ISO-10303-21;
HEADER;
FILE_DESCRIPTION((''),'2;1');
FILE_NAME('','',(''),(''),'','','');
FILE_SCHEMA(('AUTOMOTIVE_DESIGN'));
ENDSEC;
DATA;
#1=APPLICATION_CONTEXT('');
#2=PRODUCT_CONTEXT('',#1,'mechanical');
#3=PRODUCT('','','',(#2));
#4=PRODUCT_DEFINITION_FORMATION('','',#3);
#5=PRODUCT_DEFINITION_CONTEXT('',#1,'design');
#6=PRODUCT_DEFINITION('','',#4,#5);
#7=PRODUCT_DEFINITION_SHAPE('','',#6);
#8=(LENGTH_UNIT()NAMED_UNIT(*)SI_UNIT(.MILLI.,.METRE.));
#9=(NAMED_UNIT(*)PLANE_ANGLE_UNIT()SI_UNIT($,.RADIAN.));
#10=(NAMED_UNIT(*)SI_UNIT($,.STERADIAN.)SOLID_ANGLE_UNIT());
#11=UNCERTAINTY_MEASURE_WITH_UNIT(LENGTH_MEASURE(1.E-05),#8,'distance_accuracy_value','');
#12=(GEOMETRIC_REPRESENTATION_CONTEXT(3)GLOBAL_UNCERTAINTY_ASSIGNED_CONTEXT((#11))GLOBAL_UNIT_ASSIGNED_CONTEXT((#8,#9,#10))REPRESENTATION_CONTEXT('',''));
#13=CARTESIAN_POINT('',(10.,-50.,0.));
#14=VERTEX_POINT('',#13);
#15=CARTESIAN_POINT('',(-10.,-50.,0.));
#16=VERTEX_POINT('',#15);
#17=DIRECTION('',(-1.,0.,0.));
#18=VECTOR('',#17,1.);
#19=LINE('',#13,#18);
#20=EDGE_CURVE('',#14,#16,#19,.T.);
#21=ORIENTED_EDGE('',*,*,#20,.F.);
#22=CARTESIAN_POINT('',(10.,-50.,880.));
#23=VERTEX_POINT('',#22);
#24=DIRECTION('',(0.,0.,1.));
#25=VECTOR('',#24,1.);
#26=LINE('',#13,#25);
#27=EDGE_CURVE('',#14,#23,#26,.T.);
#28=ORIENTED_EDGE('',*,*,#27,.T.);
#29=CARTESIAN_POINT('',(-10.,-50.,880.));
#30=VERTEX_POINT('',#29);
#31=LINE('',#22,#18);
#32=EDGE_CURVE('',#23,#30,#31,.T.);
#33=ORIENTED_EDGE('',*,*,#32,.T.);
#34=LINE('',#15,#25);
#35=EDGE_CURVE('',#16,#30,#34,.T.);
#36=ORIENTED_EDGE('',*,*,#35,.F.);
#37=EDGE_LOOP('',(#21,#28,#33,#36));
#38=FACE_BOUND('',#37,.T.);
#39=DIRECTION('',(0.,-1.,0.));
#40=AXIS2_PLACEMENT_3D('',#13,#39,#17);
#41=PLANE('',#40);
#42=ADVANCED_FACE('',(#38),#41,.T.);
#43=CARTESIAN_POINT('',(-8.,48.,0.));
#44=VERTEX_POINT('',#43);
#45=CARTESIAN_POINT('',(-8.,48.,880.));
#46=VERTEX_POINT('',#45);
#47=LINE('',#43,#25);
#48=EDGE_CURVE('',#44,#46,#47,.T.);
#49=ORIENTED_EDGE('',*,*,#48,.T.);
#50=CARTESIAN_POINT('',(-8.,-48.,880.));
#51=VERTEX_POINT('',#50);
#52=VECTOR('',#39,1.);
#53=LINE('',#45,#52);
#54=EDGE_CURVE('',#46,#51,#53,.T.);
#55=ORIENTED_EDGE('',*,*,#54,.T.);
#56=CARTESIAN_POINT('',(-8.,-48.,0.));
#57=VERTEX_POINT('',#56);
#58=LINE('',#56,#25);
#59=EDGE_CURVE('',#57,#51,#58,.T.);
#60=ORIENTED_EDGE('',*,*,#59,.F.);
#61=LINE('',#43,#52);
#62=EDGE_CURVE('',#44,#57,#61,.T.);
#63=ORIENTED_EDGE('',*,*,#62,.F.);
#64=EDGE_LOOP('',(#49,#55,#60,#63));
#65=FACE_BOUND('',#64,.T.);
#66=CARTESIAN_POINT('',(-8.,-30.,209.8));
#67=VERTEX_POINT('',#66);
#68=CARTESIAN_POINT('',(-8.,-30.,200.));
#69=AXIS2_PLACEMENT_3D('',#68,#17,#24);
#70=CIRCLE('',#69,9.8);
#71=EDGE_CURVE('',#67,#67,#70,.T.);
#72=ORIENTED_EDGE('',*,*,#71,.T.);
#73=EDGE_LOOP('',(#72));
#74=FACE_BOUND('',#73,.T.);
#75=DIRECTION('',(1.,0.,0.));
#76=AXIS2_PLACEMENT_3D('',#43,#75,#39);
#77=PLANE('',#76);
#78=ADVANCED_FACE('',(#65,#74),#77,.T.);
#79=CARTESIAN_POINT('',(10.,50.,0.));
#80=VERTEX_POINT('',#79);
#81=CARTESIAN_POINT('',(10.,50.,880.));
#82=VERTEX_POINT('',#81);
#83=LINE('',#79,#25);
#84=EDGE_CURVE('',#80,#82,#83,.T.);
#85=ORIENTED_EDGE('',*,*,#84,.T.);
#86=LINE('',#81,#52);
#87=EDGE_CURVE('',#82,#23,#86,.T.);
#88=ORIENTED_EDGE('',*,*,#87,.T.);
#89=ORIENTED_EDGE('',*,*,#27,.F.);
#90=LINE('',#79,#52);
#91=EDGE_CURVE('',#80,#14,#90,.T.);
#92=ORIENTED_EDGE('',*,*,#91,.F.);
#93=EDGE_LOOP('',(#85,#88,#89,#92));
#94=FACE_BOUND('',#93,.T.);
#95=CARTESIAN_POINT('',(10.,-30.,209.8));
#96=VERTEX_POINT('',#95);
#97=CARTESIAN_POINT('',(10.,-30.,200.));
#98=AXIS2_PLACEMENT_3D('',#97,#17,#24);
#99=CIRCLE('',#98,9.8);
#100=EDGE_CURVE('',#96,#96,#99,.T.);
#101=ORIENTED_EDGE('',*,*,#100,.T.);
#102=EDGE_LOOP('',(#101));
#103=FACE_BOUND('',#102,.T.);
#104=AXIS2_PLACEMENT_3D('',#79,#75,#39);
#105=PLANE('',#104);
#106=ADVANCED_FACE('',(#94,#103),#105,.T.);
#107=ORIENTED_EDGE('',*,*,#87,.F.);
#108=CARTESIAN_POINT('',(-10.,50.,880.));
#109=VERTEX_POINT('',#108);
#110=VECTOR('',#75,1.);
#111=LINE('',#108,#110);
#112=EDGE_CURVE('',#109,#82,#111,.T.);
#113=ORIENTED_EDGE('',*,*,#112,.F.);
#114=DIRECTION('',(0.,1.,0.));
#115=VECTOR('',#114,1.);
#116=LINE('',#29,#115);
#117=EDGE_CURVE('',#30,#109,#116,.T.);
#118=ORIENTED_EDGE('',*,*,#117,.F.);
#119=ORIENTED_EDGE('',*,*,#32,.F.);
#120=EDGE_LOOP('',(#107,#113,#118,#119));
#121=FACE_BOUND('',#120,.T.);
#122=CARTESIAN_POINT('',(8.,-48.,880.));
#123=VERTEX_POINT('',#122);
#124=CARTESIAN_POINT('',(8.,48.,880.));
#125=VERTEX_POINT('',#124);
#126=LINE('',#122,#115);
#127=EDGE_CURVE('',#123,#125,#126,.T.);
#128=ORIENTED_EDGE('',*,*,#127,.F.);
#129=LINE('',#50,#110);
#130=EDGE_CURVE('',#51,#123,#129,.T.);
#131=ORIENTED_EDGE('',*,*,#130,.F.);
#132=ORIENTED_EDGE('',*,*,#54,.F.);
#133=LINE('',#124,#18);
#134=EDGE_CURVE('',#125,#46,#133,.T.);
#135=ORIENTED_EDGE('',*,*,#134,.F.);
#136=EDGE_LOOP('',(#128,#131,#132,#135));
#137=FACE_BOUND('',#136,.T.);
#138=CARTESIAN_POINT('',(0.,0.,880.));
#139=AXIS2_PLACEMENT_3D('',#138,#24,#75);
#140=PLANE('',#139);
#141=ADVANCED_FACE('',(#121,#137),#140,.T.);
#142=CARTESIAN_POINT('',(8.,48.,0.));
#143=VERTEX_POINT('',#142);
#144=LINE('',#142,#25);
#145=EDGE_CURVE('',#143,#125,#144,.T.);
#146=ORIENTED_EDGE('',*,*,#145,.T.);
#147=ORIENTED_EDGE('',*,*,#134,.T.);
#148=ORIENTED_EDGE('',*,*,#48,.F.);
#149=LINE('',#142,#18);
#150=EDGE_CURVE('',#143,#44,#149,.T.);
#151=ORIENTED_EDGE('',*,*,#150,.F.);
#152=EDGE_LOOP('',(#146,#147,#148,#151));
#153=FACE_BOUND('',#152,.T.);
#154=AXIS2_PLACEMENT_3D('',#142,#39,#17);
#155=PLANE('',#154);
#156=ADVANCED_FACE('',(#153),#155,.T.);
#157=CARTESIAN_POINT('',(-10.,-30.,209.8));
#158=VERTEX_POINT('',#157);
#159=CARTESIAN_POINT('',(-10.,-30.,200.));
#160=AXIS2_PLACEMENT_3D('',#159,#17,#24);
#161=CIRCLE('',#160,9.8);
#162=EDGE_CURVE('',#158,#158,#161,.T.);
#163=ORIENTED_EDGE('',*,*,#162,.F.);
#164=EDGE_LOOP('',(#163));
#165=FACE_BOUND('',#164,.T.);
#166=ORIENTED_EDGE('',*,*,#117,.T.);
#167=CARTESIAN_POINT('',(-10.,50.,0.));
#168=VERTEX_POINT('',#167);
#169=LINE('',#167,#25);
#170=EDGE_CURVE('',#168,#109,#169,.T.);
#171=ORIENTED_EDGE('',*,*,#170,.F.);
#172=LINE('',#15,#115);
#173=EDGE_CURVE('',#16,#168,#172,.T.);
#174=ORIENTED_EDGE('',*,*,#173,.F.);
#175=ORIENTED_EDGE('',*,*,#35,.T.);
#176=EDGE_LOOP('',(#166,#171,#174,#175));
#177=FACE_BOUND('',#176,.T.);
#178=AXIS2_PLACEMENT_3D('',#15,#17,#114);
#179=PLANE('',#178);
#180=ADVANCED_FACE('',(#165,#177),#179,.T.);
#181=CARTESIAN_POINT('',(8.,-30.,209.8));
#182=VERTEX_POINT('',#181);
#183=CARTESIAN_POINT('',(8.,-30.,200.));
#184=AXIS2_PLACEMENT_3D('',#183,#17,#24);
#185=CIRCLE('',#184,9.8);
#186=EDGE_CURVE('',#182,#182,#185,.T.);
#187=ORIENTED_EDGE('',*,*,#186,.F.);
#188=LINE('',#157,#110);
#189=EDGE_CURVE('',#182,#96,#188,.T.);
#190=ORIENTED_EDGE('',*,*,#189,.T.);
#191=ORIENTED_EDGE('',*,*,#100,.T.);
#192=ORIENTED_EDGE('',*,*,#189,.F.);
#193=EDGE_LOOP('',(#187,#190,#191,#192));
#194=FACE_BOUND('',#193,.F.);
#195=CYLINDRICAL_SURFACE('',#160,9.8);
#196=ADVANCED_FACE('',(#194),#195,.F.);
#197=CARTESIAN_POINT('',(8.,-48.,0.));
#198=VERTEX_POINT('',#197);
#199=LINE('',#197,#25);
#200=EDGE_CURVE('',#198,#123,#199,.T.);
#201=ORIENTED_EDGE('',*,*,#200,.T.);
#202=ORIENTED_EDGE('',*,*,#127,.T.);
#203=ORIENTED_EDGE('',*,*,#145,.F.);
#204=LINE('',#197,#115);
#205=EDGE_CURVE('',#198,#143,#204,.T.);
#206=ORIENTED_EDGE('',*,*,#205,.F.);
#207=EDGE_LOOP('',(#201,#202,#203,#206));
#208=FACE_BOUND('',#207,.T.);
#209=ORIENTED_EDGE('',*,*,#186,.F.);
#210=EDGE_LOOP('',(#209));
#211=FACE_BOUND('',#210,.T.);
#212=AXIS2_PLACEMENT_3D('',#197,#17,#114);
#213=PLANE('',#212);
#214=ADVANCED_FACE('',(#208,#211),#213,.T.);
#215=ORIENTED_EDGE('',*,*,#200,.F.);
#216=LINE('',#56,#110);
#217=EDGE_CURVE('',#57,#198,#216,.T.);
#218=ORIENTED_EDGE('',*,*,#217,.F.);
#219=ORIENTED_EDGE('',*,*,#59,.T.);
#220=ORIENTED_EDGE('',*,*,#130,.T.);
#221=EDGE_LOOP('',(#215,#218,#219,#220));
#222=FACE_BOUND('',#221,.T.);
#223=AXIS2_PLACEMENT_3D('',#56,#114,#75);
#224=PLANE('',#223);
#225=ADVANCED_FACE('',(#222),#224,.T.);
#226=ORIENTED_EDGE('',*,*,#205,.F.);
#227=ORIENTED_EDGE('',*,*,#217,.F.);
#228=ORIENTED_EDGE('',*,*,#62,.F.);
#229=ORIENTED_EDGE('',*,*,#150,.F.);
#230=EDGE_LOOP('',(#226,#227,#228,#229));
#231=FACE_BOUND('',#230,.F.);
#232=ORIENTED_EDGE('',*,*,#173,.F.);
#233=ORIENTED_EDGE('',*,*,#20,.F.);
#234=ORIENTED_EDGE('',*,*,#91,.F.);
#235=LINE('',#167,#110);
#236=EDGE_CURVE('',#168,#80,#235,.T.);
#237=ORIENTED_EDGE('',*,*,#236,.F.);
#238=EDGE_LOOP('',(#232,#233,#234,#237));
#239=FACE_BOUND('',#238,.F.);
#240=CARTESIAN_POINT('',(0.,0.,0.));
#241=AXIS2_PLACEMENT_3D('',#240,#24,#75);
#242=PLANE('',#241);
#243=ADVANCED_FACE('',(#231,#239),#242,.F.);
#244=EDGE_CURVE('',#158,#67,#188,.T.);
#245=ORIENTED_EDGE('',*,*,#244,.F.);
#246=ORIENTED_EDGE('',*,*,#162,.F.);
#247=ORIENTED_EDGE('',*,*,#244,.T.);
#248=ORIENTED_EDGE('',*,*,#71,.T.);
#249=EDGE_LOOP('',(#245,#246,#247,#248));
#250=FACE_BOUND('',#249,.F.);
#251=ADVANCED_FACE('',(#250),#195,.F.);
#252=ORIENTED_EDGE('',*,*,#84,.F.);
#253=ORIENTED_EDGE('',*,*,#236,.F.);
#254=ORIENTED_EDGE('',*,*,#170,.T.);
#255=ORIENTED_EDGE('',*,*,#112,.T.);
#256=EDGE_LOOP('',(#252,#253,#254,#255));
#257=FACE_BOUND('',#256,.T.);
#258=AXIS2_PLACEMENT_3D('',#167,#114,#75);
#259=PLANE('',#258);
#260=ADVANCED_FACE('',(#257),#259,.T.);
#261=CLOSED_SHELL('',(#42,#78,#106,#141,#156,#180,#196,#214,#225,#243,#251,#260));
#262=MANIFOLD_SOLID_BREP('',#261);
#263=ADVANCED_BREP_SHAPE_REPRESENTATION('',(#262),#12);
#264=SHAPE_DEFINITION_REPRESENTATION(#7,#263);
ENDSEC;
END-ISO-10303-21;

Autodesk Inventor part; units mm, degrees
ref_plane "YZ Plane" through (0, 0, 0) normal (1, 0, 0) x (0, 1, 0)
ref_plane "XZ Plane" through (0, 0, 0) normal (0, 1, 0) x (-1, 0, 0)
ref_plane "XY Plane" through (0, 0, 0) normal (0, 0, 1) x (1, 0, 0)
sketch "Sketch1" plane through (0, 0, 0) normal (0, 0, 1) x (1, 0, 0)
  line L0 (-10, 50) -> (10, 50)
  line L1 (10, 50) -> (10, -50)
  line L2 (10, -50) -> (-10, -50)
  line L3 (-10, -50) -> (-10, 50)
  line L4 (-10, 50) -> (10, -50) construction
  line L5 (10, 50) -> (-10, -50) construction
  line L6 (-8, -48) -> (8, -48)
  line L7 (8, -48) -> (8, 48)
  line L8 (8, 48) -> (-8, 48)
  line L9 (-8, 48) -> (-8, -48)
  line L10 (-8, -48) -> (8, 48) construction
  line L11 (8, -48) -> (-8, 48) construction
  point P0 (0, 0)
  dimension "d0" = 20
  dimension "d1" = 100
  dimension "d2" = 16
  dimension "d3" = 96
extrude "Extrusion1" add sketch "Sketch1" along normal blind 880
sketch "Sketch2" plane through (-10, -50, 0) normal (-1, 0, 0) x (0, 0, 1)
  circle A0 centre (200, 20) radius 9.8
  line L0 (0, 100) -> (880, 100) projected
  line L1 (0, 0) -> (0, 100) projected
  point P0 (0, 50)
  dimension "d6" = 19.6
  dimension "d7" = 80
  dimension "d8" = 200
extrude "Extrusion2" cut sketch "Sketch2" against normal blind 880
equation "\"d7\" = Height"
equation "\"d8\" = HoleDistanceX"
equation "\"Height\" = 80"
equation "\"HoleDistanceX\" = 200"
properties part number "Side Extrusion 2" material "Aluminum 6061"
